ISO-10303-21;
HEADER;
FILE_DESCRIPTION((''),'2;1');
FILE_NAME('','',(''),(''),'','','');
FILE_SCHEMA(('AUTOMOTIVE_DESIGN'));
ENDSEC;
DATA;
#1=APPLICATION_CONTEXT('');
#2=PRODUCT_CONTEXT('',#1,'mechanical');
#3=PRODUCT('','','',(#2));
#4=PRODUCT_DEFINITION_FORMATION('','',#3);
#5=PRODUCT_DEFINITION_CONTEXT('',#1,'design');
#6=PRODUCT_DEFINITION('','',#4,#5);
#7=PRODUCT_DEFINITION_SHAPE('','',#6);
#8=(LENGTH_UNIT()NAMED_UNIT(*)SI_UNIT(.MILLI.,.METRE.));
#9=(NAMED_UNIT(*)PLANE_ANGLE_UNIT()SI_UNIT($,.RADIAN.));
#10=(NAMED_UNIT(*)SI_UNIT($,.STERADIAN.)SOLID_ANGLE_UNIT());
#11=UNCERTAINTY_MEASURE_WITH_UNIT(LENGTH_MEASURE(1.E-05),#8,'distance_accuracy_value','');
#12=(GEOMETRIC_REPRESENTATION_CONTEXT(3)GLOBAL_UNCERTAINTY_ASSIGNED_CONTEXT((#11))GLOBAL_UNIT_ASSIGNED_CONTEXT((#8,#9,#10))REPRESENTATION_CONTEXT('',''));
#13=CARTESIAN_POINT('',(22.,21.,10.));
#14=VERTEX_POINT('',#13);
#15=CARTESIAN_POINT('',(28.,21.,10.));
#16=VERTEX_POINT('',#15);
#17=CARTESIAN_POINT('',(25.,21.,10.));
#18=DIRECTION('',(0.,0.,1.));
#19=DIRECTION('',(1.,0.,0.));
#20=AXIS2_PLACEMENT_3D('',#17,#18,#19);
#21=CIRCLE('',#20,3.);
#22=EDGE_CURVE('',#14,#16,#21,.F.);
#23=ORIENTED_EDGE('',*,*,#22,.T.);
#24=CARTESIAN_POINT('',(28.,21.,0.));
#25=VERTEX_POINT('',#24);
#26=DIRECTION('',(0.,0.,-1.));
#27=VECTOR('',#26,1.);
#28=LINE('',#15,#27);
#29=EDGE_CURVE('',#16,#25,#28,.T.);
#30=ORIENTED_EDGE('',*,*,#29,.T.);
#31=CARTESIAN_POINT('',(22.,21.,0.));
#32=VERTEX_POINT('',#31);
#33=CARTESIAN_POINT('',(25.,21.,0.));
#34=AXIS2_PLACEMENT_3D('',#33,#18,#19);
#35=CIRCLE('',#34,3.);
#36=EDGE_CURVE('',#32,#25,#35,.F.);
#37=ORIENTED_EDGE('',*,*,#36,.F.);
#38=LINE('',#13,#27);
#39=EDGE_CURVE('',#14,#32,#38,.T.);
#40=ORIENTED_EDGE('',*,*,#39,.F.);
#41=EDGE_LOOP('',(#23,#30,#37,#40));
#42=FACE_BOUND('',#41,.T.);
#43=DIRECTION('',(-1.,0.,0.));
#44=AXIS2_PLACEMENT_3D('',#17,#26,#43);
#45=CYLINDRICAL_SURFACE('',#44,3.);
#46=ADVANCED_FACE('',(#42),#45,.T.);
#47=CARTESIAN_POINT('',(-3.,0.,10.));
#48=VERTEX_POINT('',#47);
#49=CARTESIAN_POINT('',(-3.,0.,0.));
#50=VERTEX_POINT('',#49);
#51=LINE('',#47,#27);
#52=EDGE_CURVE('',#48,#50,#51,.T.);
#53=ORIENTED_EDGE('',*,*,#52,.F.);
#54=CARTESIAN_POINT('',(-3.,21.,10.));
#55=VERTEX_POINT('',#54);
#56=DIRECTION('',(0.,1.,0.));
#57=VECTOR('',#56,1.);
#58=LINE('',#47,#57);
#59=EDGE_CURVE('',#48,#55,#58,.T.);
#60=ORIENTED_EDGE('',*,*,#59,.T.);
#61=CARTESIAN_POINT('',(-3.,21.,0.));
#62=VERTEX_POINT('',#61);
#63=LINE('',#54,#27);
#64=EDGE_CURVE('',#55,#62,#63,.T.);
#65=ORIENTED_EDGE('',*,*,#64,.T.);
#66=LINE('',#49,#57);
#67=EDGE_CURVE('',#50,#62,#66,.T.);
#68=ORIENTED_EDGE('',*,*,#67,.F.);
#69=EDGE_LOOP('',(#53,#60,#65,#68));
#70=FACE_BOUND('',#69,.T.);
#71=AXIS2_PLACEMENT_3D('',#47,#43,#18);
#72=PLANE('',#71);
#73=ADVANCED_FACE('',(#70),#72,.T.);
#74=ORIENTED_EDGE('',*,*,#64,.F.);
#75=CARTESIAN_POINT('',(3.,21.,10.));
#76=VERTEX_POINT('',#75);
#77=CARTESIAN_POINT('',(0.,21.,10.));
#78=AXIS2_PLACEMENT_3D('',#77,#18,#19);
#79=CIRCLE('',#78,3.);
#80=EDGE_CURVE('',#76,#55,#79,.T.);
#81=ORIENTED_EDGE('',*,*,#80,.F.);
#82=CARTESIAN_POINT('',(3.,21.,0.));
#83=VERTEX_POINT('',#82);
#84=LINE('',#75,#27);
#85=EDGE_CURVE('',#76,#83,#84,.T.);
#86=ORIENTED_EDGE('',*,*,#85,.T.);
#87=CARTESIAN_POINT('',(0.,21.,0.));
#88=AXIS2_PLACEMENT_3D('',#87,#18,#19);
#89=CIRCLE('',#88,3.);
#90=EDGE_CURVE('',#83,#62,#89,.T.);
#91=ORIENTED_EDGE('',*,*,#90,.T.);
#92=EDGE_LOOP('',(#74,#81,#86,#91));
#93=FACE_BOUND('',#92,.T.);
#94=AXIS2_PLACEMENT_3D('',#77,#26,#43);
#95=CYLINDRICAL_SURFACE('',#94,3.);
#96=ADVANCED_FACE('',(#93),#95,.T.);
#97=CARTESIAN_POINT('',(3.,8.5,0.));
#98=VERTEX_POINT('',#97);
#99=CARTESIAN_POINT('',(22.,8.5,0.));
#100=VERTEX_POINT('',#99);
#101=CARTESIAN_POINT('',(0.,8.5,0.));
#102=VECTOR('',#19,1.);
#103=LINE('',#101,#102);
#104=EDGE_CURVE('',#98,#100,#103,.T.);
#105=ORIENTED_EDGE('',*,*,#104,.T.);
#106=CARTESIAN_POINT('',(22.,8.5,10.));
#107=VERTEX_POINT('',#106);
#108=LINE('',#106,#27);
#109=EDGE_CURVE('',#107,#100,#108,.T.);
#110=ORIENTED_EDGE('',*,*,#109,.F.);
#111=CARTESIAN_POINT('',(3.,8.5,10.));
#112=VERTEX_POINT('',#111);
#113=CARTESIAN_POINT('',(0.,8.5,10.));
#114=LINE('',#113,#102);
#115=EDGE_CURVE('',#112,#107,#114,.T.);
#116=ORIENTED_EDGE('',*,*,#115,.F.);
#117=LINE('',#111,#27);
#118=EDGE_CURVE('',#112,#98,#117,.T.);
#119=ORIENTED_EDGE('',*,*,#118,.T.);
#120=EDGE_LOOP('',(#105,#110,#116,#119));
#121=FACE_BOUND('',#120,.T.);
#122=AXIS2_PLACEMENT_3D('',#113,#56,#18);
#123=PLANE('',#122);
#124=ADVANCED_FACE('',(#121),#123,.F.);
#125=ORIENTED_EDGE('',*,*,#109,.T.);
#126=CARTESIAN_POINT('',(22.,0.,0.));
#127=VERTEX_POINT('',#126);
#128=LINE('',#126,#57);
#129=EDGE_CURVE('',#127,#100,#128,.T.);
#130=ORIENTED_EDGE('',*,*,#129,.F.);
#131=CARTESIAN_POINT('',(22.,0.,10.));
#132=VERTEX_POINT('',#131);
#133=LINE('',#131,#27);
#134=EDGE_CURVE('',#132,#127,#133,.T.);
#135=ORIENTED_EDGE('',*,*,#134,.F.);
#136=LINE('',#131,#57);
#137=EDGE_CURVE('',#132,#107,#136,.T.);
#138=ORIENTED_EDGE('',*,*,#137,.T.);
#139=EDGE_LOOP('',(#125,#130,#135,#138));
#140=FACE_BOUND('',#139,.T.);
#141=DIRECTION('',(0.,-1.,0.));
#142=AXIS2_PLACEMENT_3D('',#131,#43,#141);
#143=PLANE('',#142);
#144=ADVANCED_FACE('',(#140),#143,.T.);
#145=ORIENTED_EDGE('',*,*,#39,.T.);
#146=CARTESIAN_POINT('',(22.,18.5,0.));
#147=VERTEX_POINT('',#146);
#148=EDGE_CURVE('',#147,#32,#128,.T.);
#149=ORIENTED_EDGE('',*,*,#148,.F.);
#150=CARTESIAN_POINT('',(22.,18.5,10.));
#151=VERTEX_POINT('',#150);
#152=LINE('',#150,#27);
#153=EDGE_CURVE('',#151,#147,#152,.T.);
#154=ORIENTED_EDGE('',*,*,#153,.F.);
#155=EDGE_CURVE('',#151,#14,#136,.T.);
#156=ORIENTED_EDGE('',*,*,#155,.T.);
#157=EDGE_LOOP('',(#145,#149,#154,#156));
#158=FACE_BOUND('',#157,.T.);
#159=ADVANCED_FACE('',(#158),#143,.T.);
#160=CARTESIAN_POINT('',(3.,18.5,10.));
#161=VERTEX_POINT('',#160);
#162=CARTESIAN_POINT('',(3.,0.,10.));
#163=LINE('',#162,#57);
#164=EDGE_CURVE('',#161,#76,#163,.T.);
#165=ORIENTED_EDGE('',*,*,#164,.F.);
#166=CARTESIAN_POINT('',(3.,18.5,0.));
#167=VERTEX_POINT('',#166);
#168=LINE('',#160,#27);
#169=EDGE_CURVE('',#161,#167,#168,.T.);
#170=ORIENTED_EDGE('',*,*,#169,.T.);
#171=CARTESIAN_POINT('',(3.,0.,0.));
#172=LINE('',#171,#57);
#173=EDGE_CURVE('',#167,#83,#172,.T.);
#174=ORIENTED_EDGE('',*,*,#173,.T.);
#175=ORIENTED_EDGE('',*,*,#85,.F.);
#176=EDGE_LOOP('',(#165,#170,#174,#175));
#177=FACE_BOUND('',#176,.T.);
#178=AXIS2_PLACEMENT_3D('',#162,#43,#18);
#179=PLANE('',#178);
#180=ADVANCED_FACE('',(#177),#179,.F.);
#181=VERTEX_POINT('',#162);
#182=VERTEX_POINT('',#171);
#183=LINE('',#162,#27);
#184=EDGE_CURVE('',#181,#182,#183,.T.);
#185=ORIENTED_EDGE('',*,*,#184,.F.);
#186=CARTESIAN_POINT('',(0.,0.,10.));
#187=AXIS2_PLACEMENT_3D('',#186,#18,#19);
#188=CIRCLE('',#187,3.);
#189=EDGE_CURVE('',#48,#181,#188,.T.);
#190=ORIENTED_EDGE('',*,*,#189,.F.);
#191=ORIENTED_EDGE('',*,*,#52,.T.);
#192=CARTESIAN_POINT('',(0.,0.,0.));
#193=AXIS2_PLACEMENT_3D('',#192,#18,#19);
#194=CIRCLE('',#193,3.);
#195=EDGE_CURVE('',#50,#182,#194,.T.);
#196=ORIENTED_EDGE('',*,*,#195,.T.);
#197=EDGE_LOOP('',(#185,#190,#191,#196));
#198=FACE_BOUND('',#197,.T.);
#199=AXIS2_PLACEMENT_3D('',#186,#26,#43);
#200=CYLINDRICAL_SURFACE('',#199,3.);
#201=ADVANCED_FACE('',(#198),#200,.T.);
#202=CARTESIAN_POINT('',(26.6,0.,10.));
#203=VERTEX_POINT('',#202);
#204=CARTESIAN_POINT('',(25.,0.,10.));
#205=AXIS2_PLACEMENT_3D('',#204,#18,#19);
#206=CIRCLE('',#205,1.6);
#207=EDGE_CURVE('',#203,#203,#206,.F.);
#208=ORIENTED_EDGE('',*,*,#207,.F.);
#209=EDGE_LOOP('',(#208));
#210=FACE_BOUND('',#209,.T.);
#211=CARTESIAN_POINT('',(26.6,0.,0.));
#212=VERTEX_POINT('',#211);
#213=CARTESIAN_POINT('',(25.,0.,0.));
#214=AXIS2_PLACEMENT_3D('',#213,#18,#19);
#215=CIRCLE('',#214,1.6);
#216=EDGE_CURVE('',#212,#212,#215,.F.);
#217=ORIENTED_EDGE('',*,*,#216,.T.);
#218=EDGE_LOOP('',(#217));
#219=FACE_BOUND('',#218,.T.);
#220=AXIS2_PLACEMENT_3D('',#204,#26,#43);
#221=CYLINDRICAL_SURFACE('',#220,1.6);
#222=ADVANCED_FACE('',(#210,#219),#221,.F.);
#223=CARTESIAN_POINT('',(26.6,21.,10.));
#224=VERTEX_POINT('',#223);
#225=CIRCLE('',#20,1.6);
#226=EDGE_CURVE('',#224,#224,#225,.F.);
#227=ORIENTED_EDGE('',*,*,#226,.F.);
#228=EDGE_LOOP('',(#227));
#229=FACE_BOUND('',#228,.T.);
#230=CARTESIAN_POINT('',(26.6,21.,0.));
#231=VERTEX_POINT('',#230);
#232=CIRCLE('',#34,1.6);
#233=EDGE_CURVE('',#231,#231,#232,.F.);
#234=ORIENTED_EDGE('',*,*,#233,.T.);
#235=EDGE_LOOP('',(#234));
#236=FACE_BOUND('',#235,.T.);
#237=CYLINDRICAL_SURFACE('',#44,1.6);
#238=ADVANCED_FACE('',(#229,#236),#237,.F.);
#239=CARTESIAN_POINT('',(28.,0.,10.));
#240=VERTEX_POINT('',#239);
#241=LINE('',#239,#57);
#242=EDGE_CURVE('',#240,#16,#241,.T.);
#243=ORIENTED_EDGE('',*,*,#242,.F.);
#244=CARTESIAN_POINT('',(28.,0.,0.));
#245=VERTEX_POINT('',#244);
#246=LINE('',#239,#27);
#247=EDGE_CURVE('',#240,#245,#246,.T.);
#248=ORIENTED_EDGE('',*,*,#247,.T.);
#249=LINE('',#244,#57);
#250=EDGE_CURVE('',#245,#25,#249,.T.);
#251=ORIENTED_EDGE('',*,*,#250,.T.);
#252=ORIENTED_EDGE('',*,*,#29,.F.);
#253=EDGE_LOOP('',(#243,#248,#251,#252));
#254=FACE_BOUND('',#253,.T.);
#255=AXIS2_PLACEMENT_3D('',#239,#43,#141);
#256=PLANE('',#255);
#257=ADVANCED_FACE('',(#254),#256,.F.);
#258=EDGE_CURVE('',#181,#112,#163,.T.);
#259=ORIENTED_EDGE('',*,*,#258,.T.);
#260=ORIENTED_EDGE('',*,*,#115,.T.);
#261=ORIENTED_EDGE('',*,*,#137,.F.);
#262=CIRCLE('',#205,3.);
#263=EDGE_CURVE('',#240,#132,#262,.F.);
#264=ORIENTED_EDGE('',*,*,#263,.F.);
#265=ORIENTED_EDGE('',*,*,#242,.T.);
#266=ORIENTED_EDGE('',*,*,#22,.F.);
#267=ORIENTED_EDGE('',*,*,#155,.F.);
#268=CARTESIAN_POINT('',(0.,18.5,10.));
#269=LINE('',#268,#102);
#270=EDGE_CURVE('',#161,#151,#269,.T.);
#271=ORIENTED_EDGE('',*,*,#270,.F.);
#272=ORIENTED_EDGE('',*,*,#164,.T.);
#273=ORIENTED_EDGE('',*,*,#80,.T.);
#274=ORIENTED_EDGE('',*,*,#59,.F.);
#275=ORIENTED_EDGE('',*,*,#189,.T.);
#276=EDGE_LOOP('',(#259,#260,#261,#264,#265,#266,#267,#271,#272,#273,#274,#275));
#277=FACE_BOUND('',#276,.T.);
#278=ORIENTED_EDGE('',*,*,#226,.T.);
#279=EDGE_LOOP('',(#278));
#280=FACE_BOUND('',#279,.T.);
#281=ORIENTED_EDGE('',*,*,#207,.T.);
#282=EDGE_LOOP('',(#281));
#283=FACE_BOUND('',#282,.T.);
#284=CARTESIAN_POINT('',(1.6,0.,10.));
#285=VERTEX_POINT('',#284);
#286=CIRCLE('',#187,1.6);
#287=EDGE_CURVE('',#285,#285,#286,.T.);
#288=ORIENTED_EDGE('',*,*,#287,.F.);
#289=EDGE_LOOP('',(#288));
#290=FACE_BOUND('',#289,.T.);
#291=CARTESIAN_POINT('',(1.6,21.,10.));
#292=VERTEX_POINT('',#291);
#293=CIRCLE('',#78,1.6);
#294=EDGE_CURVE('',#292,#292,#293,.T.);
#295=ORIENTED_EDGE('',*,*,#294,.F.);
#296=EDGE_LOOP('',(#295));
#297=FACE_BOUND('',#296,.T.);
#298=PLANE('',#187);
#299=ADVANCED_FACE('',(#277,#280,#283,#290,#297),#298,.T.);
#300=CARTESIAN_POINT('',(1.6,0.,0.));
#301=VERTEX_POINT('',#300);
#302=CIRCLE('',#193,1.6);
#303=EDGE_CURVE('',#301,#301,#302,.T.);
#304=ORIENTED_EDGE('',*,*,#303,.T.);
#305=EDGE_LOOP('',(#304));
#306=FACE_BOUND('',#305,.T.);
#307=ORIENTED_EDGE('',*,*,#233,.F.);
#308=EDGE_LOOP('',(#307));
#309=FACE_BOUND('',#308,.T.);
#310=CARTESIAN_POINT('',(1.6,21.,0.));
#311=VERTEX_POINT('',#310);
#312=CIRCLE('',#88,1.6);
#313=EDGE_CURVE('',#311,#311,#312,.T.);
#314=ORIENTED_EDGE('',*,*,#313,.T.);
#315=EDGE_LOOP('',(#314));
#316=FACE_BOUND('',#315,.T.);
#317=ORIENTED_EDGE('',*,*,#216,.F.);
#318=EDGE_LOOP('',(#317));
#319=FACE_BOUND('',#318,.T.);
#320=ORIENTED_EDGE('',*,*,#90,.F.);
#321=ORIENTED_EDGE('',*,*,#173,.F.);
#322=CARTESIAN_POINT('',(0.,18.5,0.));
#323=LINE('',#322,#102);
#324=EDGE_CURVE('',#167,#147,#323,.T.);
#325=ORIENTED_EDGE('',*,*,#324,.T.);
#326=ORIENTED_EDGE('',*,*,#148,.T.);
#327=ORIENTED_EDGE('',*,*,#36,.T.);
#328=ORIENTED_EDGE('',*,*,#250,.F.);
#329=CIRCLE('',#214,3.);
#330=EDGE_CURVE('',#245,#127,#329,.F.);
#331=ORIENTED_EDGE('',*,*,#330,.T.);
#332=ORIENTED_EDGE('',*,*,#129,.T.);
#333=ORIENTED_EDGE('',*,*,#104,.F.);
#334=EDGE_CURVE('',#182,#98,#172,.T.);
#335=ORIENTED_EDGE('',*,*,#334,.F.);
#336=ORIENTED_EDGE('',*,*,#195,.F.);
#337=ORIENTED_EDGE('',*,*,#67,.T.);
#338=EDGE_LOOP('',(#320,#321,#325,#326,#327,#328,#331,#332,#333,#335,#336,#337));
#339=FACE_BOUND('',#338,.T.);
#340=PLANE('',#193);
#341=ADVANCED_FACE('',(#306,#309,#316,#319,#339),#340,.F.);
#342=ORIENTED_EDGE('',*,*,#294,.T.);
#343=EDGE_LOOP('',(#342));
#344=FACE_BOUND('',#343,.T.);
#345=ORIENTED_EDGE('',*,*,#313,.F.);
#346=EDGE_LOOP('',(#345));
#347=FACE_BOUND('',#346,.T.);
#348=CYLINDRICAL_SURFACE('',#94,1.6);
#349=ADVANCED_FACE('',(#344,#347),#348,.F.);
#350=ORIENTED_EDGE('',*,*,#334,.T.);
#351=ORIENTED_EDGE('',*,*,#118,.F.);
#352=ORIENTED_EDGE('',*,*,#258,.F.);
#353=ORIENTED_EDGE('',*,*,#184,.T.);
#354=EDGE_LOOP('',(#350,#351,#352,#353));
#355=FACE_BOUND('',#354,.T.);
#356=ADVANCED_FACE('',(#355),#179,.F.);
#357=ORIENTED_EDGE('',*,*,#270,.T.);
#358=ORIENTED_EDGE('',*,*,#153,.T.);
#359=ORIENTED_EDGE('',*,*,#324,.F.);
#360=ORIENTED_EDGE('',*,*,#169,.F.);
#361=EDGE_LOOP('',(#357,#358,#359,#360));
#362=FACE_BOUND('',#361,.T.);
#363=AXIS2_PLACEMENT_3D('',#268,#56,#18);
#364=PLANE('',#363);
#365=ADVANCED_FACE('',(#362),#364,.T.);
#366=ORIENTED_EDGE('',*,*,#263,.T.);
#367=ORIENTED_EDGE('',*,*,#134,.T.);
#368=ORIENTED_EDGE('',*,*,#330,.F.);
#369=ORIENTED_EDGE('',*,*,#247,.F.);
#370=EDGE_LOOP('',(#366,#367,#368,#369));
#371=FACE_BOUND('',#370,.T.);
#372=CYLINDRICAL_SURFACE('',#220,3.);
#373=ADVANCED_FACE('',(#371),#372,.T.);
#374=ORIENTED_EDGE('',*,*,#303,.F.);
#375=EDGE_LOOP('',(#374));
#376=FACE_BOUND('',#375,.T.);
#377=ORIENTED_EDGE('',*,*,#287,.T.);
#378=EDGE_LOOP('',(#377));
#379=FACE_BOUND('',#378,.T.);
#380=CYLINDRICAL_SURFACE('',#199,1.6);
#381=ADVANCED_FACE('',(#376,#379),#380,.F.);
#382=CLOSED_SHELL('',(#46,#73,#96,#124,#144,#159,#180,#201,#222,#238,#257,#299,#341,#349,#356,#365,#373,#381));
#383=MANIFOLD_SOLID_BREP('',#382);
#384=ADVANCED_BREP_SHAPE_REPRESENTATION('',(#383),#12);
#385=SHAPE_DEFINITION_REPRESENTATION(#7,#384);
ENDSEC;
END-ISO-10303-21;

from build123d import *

# Parameters (mm, degrees)
SKETCH1_R           = 1.6
SKETCH1_W           = 19
SKETCH1_H           = 10
BOSS_EXTRUDE1_DEPTH = 10


with BuildPart() as part:
    # Sketch1 → Boss-Extrude1 (new body)
    with BuildSketch(Plane.XY):
        with BuildLine():
            Line((3, 0), (3, 21))
            ThreePointArc((3, 21), (0, 24), (-3, 21))
            Line((-3, 21), (-3, 0))
            ThreePointArc((-3, 0), (0, -3), (3, 0))
        make_face()
        Circle(SKETCH1_R, mode=Mode.SUBTRACT)
        with Locations((0, 21)):
            Circle(SKETCH1_R, mode=Mode.SUBTRACT)
        with Locations((12.5, 13.5)):
            Rectangle(SKETCH1_W, SKETCH1_H)
        with BuildLine():
            Line((22, 18.5), (22, 8.5))
            Line((22, 8.5), (22, 0))
            ThreePointArc((22, 0), (25, -3), (28, 0))
            Line((28, 0), (28, 21))
            ThreePointArc((28, 21), (25, 24), (22, 21))
            Line((22, 21), (22, 18.5))
        make_face()
        with Locations((25, 0)):
            Circle(SKETCH1_R, mode=Mode.SUBTRACT)
        with Locations((25, 21)):
            Circle(SKETCH1_R, mode=Mode.SUBTRACT)
    extrude(amount=BOSS_EXTRUDE1_DEPTH)


solid = part.part
